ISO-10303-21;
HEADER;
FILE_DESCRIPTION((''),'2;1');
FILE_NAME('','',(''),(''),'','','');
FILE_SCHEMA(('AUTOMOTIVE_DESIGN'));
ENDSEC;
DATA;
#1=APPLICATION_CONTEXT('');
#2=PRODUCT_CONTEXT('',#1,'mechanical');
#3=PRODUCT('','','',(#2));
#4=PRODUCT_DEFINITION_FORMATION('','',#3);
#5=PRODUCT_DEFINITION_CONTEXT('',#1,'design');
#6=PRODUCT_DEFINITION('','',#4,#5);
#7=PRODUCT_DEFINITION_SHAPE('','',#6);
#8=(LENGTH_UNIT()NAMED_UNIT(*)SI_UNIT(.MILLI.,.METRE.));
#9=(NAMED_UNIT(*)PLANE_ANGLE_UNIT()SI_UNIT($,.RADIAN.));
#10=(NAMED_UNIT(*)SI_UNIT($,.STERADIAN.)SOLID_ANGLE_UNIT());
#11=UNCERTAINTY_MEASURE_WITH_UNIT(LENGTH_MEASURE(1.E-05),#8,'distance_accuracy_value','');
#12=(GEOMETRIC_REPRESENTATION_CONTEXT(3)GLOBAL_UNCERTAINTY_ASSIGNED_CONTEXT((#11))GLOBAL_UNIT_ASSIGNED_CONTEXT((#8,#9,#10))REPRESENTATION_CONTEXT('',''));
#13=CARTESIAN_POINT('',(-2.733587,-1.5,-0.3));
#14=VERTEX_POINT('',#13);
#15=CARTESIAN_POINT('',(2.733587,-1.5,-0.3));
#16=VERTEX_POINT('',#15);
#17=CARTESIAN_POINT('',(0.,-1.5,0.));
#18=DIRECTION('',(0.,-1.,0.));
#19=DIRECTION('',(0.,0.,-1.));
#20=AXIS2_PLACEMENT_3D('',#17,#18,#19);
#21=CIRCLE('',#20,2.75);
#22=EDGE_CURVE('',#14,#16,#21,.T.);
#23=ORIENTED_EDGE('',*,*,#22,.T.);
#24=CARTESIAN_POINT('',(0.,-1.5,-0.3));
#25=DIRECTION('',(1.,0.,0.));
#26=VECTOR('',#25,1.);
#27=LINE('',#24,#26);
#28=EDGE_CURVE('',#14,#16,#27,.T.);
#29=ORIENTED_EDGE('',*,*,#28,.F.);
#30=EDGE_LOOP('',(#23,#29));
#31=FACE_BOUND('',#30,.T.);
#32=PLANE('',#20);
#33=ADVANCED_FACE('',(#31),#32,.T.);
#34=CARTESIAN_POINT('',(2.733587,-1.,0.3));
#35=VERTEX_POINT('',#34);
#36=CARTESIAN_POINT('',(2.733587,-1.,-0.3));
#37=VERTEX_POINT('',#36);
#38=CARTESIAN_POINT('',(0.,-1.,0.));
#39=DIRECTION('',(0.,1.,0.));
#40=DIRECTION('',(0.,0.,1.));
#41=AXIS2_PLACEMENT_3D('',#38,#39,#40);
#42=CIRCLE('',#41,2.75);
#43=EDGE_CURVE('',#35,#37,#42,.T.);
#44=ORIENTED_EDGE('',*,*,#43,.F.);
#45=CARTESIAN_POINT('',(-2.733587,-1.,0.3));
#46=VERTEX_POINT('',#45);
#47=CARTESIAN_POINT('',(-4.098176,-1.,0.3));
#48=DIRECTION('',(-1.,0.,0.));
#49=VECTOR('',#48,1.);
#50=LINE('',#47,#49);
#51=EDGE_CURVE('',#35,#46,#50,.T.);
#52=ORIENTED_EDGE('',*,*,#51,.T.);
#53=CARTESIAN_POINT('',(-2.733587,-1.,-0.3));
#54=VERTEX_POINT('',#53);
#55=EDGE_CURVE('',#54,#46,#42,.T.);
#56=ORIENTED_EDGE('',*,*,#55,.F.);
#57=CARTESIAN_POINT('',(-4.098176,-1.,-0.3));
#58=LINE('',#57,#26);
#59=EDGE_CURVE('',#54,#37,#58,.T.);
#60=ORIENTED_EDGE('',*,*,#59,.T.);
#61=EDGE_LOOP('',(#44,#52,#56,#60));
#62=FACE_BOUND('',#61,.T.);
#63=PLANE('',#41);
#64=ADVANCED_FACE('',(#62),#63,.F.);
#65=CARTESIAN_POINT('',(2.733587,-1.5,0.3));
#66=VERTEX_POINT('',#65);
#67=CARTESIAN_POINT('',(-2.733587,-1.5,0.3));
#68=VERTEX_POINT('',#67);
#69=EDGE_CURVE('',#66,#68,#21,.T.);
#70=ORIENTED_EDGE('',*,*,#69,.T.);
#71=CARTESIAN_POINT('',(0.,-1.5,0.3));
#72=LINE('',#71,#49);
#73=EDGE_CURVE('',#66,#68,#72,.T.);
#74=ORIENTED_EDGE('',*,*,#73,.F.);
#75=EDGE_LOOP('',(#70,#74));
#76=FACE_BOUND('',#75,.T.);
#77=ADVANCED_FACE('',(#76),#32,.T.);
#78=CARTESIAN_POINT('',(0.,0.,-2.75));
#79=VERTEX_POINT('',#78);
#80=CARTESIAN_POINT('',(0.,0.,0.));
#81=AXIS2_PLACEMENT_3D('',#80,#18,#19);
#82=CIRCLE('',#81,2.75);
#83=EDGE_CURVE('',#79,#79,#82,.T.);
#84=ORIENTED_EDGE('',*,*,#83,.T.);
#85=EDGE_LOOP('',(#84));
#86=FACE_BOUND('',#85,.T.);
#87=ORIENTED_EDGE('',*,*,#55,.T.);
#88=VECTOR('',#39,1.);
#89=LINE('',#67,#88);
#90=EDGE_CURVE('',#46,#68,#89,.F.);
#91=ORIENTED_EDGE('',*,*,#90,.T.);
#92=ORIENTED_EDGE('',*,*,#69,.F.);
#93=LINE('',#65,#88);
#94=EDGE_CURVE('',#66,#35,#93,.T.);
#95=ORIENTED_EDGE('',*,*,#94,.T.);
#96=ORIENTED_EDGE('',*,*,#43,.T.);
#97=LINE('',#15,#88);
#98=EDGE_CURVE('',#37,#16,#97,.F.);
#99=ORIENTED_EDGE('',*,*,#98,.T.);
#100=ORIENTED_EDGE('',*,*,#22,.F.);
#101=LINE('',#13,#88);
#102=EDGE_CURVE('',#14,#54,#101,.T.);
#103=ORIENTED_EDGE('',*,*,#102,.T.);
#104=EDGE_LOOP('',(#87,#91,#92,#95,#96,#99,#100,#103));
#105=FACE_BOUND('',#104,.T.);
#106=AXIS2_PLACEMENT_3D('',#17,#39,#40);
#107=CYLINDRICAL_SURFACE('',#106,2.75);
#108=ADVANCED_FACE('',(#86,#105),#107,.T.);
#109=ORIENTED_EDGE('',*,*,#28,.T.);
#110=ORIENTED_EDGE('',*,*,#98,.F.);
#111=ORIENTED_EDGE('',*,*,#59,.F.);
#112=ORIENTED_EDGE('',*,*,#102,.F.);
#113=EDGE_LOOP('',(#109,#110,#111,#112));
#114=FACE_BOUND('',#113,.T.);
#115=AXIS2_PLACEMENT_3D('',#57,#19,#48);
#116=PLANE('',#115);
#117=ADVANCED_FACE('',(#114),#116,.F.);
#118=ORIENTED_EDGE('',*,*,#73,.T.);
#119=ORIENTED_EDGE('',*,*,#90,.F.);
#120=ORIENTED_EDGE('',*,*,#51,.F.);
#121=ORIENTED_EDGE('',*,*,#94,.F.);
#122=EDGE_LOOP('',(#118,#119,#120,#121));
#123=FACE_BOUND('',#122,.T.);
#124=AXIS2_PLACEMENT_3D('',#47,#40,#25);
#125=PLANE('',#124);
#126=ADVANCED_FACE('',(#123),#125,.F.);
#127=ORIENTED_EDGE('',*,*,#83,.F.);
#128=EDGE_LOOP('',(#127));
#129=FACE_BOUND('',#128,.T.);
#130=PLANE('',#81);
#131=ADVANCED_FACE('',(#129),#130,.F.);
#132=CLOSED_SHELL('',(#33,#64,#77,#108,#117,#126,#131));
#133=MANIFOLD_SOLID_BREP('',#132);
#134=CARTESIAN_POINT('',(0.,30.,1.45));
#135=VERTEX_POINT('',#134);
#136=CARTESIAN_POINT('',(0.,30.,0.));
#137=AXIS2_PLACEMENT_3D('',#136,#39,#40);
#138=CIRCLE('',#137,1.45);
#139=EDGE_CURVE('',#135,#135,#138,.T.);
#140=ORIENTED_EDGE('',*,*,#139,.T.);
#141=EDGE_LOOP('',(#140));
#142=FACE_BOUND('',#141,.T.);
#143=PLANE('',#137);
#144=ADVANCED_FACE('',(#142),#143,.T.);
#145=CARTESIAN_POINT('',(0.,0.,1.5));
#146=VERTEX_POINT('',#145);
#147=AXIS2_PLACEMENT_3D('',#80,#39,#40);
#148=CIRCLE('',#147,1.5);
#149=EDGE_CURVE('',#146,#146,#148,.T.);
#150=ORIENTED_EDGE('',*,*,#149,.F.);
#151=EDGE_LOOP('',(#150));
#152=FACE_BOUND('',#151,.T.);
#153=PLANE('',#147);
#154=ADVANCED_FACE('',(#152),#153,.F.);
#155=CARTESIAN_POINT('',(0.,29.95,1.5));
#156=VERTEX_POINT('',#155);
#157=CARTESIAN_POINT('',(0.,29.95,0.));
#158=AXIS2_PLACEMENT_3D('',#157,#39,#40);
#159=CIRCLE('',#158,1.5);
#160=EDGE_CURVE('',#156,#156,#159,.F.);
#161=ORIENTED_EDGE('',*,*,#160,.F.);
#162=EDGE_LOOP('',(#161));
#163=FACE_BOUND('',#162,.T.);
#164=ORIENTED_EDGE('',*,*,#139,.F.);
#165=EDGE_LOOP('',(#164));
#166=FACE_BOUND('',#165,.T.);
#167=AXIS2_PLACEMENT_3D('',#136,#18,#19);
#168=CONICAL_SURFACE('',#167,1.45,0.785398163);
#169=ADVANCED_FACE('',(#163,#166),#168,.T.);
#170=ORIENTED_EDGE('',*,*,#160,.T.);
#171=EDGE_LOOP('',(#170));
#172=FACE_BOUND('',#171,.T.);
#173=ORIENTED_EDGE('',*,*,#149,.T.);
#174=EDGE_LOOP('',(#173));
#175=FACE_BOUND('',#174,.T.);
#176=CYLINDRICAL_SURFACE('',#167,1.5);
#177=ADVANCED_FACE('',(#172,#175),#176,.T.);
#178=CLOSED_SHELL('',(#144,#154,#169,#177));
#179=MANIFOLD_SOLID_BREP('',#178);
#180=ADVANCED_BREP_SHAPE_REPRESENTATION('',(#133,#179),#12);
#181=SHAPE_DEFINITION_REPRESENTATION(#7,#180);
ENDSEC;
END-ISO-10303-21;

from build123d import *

# Parameters (mm, degrees)
SKETCH1_R           = 1.5
BOSS_EXTRUDE1_DEPTH = 30
SKETCH2_R           = 2.75
BOSS_EXTRUDE2_DEPTH = 1.5
SKETCH3_W           = 8.196351728
SKETCH3_H           = 0.6
CUT_EXTRUDE1_DEPTH  = 0.5
CHAMFER1_SIZE       = 0.05


with BuildPart() as part:
    # Sketch1 → Boss-Extrude1 (new body)
    with BuildSketch(Plane(origin=(0, 0, 0), x_dir=(1, 0, 0), z_dir=(0, 1, 0))):
        Circle(SKETCH1_R)
    extrude(amount=BOSS_EXTRUDE1_DEPTH)

    # Chamfer1
    chamfer1_edges = [part.edges().sort_by_distance(p)[0] for p in [
        (-1.5, 30, 0),
    ]]
    chamfer(chamfer1_edges, length=CHAMFER1_SIZE)


with BuildPart() as body_2:
    # Sketch2 → Boss-Extrude2 (new body)
    with BuildSketch(Plane.XZ):
        Circle(SKETCH2_R)
    extrude(amount=BOSS_EXTRUDE2_DEPTH)

    # Sketch3 → Cut-Extrude1 (cut)
    with BuildSketch(Plane.XZ.offset(1.5)):
        Rectangle(SKETCH3_W, SKETCH3_H)
    extrude(amount=-CUT_EXTRUDE1_DEPTH, mode=Mode.SUBTRACT)


solid = Compound([part.part, body_2.part])
